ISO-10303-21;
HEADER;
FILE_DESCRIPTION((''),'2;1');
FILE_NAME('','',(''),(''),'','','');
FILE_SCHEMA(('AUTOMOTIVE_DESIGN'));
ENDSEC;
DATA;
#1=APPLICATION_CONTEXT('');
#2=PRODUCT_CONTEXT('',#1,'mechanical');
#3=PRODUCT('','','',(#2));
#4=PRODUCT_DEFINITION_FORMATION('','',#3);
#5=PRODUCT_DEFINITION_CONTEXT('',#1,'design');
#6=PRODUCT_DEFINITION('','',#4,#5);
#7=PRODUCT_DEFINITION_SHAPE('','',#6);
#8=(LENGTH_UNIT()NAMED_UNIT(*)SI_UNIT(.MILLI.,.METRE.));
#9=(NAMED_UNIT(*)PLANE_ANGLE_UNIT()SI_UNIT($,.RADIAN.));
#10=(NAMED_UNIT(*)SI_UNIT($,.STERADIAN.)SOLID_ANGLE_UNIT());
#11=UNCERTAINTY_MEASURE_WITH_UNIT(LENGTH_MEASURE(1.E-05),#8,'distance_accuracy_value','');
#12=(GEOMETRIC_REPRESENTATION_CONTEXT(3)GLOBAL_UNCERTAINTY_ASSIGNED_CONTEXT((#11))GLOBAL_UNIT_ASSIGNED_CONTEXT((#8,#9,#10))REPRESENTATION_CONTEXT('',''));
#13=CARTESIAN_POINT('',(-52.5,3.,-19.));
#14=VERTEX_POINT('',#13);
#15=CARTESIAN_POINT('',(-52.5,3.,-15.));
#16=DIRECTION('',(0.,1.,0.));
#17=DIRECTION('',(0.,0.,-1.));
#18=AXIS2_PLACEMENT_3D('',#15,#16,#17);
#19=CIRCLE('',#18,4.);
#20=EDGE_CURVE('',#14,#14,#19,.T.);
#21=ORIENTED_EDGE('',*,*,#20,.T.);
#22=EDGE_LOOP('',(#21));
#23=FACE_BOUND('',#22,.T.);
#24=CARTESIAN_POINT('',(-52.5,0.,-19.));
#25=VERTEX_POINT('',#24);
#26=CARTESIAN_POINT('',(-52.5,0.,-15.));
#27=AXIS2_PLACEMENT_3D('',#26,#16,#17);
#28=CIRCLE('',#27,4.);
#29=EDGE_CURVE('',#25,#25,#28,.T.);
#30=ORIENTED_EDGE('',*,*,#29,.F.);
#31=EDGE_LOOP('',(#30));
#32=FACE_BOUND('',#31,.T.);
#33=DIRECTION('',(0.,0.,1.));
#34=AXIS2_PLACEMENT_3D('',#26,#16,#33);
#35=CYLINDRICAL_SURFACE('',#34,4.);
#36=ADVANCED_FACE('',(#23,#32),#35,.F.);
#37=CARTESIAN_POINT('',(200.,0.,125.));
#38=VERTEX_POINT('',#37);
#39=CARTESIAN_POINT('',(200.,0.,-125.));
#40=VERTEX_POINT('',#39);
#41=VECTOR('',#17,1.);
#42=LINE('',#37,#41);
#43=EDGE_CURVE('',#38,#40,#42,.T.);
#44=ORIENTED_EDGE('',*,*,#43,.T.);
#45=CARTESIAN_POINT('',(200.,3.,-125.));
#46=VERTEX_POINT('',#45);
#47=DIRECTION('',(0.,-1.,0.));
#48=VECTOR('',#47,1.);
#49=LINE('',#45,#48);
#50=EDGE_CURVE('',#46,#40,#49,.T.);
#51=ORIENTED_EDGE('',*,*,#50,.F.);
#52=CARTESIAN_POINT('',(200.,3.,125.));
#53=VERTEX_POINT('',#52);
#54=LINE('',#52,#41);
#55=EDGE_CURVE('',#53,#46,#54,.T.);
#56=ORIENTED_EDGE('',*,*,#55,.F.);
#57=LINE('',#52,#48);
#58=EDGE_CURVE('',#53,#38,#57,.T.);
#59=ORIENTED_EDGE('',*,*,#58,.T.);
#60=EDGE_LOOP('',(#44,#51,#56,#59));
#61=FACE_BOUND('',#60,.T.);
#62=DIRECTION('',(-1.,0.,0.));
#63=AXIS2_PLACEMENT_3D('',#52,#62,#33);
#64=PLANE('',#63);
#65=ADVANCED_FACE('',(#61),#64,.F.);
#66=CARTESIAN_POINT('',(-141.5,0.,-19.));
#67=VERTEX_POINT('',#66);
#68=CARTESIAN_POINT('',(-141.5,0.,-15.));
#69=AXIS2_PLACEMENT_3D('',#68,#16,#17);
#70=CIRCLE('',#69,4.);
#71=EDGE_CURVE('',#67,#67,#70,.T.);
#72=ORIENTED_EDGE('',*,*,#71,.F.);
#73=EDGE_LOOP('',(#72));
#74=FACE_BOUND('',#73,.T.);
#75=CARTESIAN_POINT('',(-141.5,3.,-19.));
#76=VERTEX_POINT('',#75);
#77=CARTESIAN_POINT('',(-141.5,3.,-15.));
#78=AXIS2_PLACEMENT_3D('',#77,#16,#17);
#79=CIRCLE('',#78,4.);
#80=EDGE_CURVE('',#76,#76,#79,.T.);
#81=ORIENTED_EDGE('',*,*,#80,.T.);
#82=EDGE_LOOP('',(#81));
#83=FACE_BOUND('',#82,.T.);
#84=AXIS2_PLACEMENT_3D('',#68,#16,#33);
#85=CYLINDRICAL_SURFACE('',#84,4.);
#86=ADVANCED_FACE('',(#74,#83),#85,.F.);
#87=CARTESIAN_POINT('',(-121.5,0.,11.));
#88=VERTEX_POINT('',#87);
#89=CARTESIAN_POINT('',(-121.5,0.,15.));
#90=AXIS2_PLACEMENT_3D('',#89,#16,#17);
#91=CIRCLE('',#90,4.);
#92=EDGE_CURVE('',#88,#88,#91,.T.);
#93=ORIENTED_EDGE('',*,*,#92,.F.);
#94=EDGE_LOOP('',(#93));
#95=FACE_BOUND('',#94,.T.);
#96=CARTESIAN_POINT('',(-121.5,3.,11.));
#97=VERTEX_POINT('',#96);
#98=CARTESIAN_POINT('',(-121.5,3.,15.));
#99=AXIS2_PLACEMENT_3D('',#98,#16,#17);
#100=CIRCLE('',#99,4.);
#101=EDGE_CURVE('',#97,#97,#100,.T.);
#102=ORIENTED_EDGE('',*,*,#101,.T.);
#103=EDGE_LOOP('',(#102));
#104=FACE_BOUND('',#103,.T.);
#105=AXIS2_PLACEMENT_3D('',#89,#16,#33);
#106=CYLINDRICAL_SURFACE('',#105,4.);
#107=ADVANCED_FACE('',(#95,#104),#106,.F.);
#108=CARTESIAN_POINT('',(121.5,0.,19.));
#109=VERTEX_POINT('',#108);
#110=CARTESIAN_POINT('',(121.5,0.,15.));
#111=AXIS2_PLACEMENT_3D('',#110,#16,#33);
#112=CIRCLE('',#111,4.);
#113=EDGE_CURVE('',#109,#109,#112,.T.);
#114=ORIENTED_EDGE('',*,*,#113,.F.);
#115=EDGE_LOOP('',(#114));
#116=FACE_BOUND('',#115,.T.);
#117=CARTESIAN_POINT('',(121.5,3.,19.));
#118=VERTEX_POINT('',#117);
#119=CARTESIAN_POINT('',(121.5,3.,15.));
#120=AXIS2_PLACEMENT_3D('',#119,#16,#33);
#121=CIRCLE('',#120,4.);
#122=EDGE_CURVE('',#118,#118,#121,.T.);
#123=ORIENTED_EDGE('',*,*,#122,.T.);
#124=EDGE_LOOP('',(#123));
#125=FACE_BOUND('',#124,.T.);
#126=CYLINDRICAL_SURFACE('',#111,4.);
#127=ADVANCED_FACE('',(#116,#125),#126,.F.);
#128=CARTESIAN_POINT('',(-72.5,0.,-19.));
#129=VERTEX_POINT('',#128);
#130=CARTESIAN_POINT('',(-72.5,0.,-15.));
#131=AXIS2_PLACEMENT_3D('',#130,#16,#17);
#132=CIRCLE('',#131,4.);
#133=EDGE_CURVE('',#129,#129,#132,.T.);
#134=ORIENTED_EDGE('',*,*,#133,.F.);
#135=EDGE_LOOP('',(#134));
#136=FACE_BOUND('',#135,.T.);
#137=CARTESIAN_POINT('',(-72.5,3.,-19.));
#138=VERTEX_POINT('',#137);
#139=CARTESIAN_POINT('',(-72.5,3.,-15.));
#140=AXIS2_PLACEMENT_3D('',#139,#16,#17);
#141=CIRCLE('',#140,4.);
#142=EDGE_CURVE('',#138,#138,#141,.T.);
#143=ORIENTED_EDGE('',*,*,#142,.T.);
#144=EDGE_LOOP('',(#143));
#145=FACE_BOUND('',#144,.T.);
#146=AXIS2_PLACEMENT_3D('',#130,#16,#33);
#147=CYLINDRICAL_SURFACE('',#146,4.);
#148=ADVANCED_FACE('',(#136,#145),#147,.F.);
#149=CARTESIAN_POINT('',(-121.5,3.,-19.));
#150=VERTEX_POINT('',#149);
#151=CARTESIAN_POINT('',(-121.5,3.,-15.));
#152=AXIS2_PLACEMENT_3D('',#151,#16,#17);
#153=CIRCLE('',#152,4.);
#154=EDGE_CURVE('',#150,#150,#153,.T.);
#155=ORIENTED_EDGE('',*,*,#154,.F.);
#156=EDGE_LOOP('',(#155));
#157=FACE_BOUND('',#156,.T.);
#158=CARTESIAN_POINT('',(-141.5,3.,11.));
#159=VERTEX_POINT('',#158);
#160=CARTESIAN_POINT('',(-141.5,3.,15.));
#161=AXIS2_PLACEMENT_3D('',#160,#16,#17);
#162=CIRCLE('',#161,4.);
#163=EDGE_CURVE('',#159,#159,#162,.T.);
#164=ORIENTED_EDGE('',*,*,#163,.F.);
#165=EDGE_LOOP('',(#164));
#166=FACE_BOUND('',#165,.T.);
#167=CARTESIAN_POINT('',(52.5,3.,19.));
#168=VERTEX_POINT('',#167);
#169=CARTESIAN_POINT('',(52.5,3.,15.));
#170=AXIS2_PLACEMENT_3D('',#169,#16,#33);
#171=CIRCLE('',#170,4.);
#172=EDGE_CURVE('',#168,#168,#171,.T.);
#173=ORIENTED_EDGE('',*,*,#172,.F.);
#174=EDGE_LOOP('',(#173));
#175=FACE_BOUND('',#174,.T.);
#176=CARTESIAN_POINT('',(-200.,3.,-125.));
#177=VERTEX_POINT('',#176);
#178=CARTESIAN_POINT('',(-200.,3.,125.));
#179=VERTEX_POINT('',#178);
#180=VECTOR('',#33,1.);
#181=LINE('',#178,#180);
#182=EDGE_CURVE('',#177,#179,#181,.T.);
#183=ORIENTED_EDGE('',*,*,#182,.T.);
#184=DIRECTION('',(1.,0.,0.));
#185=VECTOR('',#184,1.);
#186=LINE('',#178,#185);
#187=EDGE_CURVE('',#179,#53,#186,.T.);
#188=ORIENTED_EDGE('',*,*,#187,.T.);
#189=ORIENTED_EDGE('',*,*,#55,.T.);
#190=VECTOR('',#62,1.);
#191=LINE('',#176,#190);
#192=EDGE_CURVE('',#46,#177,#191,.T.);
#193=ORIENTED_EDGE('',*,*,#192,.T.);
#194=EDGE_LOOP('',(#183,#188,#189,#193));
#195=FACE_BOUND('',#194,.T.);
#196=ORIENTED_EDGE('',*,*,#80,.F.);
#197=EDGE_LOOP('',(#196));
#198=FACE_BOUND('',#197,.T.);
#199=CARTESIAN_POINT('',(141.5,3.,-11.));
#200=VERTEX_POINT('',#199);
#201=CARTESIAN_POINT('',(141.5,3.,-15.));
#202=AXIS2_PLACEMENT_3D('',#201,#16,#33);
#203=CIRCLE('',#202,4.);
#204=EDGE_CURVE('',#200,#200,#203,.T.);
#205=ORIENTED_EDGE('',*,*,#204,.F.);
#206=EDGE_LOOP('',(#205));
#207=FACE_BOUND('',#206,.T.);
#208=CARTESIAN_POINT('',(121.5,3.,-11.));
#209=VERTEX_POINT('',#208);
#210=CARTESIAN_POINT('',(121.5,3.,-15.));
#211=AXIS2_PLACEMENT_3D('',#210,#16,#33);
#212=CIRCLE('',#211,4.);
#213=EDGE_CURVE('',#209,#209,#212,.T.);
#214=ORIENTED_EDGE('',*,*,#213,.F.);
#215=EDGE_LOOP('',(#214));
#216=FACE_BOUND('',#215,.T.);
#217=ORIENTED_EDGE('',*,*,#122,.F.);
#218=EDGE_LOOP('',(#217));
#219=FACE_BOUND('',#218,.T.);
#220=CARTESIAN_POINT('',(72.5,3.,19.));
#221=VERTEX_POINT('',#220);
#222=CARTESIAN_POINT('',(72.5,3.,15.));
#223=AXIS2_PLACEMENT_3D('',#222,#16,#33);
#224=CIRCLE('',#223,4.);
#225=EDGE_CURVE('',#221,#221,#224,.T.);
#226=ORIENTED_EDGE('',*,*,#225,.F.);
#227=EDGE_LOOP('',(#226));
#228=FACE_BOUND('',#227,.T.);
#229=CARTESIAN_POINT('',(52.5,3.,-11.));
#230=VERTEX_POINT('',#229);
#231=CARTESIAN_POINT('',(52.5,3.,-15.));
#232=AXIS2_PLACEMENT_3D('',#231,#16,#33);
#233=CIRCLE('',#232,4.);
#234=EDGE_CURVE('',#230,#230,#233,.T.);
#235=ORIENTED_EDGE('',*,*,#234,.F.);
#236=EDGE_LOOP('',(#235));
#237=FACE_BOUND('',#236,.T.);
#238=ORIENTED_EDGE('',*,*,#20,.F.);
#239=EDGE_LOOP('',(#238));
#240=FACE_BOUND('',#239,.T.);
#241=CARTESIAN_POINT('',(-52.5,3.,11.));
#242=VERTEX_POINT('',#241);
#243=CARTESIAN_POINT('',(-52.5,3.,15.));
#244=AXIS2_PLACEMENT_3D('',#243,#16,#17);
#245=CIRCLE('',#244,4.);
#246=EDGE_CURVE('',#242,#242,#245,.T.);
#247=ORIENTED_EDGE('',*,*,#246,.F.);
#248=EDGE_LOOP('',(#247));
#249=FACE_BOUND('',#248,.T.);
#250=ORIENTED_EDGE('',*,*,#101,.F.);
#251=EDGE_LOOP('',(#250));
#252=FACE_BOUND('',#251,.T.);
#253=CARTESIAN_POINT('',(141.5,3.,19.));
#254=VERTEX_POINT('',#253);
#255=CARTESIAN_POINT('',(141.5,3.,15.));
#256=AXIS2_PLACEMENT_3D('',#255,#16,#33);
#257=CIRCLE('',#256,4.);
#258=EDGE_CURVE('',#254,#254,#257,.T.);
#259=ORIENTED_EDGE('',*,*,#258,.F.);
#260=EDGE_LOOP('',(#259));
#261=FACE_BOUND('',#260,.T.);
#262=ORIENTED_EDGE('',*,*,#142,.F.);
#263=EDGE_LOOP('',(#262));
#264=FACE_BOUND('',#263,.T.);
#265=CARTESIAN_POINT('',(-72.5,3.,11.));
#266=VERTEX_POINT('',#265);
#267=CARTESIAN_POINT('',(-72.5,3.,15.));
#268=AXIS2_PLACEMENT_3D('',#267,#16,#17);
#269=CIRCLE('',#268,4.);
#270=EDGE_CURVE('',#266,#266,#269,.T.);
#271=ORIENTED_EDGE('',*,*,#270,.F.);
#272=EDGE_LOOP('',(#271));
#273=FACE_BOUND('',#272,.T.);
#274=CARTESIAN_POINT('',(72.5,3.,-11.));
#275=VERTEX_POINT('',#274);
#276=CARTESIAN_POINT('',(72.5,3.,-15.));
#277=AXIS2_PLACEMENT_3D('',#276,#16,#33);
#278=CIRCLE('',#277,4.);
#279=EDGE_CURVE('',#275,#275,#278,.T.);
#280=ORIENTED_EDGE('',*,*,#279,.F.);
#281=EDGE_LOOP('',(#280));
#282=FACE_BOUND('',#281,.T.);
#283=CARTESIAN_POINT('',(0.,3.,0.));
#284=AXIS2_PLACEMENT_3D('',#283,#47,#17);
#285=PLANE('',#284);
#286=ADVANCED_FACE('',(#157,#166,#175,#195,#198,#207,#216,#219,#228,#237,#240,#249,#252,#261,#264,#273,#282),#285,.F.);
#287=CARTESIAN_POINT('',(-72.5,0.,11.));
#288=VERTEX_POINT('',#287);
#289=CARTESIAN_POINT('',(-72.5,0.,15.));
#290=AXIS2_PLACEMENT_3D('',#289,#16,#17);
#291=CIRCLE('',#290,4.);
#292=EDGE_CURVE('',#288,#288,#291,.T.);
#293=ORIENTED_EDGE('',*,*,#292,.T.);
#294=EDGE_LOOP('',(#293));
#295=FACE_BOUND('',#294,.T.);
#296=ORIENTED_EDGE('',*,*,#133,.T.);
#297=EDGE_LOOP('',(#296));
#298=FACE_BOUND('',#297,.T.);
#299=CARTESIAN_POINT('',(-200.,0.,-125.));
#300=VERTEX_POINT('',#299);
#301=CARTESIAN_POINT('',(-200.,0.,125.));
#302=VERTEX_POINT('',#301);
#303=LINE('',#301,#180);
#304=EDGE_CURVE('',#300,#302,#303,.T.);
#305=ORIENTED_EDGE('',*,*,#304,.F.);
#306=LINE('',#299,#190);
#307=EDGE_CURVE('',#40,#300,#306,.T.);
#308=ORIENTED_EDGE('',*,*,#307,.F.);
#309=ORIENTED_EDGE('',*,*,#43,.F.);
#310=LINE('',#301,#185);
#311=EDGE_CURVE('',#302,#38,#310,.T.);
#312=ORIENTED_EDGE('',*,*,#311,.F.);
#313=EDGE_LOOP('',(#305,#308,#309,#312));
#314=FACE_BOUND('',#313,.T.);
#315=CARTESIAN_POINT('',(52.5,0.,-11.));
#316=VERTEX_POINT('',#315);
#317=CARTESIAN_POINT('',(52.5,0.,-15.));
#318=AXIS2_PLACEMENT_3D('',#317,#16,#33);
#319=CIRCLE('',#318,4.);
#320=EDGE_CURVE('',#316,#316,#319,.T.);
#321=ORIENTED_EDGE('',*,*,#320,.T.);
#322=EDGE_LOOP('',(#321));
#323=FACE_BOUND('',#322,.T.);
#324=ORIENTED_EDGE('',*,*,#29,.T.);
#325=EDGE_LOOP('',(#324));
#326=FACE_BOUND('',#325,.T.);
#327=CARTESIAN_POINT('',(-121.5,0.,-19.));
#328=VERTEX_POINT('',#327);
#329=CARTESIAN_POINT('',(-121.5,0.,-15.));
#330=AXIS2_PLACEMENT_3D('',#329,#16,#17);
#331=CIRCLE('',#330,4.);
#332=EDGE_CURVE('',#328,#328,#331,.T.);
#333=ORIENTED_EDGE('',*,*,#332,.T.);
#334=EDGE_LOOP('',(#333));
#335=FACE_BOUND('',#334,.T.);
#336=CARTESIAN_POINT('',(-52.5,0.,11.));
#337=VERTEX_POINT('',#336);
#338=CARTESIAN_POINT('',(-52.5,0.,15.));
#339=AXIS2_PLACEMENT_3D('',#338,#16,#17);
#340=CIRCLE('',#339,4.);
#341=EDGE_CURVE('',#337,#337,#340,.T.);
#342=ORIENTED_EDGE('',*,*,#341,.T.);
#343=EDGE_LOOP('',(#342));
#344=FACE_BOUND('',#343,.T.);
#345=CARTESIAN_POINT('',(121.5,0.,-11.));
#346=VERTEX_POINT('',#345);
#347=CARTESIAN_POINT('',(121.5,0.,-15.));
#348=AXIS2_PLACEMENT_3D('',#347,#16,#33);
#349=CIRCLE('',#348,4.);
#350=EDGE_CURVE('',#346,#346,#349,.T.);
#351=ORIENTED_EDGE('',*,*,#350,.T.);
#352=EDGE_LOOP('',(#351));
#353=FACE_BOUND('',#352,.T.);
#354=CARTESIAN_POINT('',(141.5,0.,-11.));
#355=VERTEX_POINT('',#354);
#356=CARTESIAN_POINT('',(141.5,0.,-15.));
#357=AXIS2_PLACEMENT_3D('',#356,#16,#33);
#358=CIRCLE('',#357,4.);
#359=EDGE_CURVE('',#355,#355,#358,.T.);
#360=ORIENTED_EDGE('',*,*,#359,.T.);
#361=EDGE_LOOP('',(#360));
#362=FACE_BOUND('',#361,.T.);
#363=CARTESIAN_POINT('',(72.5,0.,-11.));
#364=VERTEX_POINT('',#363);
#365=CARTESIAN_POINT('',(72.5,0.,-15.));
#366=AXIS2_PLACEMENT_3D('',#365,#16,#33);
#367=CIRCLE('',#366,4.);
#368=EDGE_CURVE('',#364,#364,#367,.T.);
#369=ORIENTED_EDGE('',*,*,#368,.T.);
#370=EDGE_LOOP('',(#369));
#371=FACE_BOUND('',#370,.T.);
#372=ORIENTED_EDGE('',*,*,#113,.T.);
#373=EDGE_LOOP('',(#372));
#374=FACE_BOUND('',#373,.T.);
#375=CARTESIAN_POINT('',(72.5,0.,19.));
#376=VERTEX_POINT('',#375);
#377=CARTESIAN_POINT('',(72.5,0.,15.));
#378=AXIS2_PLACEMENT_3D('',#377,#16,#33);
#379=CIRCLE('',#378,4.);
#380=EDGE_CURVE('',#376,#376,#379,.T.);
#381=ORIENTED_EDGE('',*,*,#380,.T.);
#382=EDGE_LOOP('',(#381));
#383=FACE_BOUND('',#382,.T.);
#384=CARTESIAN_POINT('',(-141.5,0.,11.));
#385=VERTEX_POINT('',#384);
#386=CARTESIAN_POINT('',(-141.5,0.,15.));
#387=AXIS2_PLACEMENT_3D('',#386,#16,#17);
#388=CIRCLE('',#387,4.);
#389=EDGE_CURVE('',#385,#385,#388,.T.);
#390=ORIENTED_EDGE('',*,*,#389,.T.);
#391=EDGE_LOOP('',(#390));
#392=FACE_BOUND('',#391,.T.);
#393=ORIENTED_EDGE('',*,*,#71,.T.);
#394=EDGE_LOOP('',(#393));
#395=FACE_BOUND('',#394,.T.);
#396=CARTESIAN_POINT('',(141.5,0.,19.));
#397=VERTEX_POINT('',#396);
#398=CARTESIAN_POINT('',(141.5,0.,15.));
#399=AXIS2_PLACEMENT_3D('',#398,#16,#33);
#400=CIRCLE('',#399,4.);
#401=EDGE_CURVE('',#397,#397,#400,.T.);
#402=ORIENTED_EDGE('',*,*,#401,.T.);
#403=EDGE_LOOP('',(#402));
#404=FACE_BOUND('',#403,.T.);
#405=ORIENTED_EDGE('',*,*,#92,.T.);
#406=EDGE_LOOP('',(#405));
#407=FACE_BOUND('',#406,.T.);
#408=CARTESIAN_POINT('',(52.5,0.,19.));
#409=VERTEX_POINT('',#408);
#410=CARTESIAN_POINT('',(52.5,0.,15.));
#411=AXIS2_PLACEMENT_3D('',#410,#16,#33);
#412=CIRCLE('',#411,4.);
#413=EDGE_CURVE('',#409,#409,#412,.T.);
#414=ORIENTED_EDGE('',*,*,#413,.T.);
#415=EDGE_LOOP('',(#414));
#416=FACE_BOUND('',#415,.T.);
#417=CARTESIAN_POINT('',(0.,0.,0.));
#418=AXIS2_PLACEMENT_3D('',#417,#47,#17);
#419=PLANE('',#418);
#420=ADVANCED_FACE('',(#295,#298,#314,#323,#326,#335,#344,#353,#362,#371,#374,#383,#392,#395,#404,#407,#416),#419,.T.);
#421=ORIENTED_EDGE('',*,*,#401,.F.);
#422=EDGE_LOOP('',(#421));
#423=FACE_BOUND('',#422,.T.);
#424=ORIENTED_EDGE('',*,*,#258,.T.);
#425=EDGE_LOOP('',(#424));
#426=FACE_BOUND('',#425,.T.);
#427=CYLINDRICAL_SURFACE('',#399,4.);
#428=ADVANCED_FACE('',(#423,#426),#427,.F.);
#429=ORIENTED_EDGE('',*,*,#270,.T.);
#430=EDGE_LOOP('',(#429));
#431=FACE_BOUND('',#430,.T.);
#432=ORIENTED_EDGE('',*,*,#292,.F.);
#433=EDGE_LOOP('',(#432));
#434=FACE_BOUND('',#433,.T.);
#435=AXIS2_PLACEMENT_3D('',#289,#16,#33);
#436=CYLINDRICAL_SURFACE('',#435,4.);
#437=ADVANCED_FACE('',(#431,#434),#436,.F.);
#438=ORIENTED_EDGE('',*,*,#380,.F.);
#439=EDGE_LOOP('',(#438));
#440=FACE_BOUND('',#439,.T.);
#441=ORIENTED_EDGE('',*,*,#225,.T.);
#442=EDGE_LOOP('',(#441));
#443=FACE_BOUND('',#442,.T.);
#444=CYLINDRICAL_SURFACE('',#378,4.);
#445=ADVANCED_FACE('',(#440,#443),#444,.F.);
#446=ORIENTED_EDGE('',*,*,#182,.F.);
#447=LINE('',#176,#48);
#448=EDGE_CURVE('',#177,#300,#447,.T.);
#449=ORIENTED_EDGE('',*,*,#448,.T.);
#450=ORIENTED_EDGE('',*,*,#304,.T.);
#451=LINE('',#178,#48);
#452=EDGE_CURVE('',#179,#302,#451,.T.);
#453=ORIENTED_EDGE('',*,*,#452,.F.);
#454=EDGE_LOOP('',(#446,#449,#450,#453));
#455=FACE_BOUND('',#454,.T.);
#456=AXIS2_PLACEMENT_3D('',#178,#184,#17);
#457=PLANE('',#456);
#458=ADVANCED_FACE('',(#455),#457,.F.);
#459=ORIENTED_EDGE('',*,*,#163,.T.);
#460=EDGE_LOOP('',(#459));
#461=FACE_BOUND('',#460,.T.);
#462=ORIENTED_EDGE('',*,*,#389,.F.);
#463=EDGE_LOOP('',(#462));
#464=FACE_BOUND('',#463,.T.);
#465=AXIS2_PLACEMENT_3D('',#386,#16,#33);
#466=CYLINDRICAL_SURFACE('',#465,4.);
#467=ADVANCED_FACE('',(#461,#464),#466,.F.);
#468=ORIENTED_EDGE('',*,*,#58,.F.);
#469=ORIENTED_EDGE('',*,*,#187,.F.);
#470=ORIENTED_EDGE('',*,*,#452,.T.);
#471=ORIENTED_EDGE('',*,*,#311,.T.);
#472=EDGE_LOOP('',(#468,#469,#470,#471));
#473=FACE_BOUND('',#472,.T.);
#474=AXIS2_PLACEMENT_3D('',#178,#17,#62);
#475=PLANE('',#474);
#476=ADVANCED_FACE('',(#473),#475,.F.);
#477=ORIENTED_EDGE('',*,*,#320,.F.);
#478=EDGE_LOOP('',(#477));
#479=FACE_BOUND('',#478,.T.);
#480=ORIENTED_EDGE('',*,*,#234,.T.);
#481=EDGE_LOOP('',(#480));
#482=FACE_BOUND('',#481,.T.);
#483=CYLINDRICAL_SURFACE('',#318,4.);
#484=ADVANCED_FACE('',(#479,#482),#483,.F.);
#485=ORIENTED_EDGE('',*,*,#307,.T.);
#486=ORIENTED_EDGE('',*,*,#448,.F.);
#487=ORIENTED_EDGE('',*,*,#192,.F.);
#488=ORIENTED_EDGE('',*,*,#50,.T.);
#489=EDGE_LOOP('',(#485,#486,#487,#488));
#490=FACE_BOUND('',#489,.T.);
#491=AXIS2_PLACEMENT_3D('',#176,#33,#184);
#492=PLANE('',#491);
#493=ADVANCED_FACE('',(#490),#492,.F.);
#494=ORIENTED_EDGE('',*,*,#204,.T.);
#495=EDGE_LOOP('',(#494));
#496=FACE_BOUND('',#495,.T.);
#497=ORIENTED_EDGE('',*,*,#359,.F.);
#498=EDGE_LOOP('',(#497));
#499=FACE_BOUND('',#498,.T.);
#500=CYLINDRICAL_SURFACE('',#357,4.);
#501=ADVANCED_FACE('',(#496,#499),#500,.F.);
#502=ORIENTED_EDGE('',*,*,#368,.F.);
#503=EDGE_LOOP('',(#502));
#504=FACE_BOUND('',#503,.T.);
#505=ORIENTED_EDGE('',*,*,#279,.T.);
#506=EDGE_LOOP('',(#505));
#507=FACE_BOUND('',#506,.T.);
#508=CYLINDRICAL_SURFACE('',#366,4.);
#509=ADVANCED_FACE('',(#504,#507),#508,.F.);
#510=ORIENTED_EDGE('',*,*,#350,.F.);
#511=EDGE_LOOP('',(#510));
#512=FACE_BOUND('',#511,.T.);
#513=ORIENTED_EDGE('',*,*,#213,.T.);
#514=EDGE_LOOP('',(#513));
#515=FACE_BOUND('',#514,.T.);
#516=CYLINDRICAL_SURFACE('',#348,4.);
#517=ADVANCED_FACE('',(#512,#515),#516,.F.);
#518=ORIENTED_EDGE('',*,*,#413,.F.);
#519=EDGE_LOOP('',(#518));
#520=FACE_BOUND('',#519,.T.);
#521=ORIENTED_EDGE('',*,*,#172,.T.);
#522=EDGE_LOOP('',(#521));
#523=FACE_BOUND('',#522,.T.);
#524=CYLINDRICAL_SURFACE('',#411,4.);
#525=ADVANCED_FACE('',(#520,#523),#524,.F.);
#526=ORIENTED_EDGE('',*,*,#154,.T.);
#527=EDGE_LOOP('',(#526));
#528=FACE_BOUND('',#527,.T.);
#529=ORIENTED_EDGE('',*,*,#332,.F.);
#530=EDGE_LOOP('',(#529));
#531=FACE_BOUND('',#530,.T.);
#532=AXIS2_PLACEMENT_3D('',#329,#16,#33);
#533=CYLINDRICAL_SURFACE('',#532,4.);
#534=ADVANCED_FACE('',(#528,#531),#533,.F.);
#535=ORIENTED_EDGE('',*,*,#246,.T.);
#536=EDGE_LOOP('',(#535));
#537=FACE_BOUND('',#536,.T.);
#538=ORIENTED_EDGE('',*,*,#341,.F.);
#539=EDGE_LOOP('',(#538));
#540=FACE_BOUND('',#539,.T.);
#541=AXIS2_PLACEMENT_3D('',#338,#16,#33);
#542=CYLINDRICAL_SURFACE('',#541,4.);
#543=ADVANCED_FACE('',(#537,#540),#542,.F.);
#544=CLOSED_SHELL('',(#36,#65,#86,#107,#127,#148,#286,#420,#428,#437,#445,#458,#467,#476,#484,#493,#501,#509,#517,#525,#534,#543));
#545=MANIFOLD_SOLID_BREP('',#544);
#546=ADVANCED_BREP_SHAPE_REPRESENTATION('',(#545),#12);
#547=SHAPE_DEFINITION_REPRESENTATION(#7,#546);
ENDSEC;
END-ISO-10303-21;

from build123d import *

# Parameters (mm, degrees)
SKETCH1_W           = 400
SKETCH1_H           = 250
BOSS_EXTRUDE1_DEPTH = 3
SKETCH2_R           = 4
CUT_EXTRUDE1_DEPTH  = 236.868607492


with BuildPart() as part:
    # Sketch1 → Boss-Extrude1 (new body)
    with BuildSketch(Plane(origin=(0, 0, 0), x_dir=(1, 0, 0), z_dir=(0, 1, 0))):
        Rectangle(SKETCH1_W, SKETCH1_H)
    extrude(amount=BOSS_EXTRUDE1_DEPTH)

    # Sketch2 → Cut-Extrude1 (cut, through all)
    with BuildSketch(Plane(origin=(0, 3, 0), x_dir=(1, 0, 0), z_dir=(0, 1, 0))):
        with Locations(Location((121.5, 15, 0), (0, 0, 270))):
            Circle(SKETCH2_R)
        with Locations(Location((141.5, 15, 0), (0, 0, 270))):
            Circle(SKETCH2_R)
        with Locations(Location((121.5, -15, 0), (0, 0, 270))):
            Circle(SKETCH2_R)
        with Locations(Location((141.5, -15, 0), (0, 0, 270))):
            Circle(SKETCH2_R)
        with Locations(Location((72.5, 15, 0), (0, 0, 270))):
            Circle(SKETCH2_R)
        with Locations(Location((52.5, 15, 0), (0, 0, 270))):
            Circle(SKETCH2_R)
        with Locations(Location((72.5, -15, 0), (0, 0, 270))):
            Circle(SKETCH2_R)
        with Locations(Location((52.5, -15, 0), (0, 0, 270))):
            Circle(SKETCH2_R)
        with Locations(Location((-52.5, -15, 0), (0, 0, 90))):
            Circle(SKETCH2_R)
        with Locations(Location((-72.5, -15, 0), (0, 0, 90))):
            Circle(SKETCH2_R)
        with Locations(Location((-52.5, 15, 0), (0, 0, 90))):
            Circle(SKETCH2_R)
        with Locations(Location((-72.5, 15, 0), (0, 0, 90))):
            Circle(SKETCH2_R)
        with Locations(Location((-141.5, -15, 0), (0, 0, 90))):
            Circle(SKETCH2_R)
        with Locations(Location((-121.5, -15, 0), (0, 0, 90))):
            Circle(SKETCH2_R)
        with Locations(Location((-141.5, 15, 0), (0, 0, 90))):
            Circle(SKETCH2_R)
        with Locations(Location((-121.5, 15, 0), (0, 0, 90))):
            Circle(SKETCH2_R)
    extrude(amount=-CUT_EXTRUDE1_DEPTH, mode=Mode.SUBTRACT)


solid = part.part
